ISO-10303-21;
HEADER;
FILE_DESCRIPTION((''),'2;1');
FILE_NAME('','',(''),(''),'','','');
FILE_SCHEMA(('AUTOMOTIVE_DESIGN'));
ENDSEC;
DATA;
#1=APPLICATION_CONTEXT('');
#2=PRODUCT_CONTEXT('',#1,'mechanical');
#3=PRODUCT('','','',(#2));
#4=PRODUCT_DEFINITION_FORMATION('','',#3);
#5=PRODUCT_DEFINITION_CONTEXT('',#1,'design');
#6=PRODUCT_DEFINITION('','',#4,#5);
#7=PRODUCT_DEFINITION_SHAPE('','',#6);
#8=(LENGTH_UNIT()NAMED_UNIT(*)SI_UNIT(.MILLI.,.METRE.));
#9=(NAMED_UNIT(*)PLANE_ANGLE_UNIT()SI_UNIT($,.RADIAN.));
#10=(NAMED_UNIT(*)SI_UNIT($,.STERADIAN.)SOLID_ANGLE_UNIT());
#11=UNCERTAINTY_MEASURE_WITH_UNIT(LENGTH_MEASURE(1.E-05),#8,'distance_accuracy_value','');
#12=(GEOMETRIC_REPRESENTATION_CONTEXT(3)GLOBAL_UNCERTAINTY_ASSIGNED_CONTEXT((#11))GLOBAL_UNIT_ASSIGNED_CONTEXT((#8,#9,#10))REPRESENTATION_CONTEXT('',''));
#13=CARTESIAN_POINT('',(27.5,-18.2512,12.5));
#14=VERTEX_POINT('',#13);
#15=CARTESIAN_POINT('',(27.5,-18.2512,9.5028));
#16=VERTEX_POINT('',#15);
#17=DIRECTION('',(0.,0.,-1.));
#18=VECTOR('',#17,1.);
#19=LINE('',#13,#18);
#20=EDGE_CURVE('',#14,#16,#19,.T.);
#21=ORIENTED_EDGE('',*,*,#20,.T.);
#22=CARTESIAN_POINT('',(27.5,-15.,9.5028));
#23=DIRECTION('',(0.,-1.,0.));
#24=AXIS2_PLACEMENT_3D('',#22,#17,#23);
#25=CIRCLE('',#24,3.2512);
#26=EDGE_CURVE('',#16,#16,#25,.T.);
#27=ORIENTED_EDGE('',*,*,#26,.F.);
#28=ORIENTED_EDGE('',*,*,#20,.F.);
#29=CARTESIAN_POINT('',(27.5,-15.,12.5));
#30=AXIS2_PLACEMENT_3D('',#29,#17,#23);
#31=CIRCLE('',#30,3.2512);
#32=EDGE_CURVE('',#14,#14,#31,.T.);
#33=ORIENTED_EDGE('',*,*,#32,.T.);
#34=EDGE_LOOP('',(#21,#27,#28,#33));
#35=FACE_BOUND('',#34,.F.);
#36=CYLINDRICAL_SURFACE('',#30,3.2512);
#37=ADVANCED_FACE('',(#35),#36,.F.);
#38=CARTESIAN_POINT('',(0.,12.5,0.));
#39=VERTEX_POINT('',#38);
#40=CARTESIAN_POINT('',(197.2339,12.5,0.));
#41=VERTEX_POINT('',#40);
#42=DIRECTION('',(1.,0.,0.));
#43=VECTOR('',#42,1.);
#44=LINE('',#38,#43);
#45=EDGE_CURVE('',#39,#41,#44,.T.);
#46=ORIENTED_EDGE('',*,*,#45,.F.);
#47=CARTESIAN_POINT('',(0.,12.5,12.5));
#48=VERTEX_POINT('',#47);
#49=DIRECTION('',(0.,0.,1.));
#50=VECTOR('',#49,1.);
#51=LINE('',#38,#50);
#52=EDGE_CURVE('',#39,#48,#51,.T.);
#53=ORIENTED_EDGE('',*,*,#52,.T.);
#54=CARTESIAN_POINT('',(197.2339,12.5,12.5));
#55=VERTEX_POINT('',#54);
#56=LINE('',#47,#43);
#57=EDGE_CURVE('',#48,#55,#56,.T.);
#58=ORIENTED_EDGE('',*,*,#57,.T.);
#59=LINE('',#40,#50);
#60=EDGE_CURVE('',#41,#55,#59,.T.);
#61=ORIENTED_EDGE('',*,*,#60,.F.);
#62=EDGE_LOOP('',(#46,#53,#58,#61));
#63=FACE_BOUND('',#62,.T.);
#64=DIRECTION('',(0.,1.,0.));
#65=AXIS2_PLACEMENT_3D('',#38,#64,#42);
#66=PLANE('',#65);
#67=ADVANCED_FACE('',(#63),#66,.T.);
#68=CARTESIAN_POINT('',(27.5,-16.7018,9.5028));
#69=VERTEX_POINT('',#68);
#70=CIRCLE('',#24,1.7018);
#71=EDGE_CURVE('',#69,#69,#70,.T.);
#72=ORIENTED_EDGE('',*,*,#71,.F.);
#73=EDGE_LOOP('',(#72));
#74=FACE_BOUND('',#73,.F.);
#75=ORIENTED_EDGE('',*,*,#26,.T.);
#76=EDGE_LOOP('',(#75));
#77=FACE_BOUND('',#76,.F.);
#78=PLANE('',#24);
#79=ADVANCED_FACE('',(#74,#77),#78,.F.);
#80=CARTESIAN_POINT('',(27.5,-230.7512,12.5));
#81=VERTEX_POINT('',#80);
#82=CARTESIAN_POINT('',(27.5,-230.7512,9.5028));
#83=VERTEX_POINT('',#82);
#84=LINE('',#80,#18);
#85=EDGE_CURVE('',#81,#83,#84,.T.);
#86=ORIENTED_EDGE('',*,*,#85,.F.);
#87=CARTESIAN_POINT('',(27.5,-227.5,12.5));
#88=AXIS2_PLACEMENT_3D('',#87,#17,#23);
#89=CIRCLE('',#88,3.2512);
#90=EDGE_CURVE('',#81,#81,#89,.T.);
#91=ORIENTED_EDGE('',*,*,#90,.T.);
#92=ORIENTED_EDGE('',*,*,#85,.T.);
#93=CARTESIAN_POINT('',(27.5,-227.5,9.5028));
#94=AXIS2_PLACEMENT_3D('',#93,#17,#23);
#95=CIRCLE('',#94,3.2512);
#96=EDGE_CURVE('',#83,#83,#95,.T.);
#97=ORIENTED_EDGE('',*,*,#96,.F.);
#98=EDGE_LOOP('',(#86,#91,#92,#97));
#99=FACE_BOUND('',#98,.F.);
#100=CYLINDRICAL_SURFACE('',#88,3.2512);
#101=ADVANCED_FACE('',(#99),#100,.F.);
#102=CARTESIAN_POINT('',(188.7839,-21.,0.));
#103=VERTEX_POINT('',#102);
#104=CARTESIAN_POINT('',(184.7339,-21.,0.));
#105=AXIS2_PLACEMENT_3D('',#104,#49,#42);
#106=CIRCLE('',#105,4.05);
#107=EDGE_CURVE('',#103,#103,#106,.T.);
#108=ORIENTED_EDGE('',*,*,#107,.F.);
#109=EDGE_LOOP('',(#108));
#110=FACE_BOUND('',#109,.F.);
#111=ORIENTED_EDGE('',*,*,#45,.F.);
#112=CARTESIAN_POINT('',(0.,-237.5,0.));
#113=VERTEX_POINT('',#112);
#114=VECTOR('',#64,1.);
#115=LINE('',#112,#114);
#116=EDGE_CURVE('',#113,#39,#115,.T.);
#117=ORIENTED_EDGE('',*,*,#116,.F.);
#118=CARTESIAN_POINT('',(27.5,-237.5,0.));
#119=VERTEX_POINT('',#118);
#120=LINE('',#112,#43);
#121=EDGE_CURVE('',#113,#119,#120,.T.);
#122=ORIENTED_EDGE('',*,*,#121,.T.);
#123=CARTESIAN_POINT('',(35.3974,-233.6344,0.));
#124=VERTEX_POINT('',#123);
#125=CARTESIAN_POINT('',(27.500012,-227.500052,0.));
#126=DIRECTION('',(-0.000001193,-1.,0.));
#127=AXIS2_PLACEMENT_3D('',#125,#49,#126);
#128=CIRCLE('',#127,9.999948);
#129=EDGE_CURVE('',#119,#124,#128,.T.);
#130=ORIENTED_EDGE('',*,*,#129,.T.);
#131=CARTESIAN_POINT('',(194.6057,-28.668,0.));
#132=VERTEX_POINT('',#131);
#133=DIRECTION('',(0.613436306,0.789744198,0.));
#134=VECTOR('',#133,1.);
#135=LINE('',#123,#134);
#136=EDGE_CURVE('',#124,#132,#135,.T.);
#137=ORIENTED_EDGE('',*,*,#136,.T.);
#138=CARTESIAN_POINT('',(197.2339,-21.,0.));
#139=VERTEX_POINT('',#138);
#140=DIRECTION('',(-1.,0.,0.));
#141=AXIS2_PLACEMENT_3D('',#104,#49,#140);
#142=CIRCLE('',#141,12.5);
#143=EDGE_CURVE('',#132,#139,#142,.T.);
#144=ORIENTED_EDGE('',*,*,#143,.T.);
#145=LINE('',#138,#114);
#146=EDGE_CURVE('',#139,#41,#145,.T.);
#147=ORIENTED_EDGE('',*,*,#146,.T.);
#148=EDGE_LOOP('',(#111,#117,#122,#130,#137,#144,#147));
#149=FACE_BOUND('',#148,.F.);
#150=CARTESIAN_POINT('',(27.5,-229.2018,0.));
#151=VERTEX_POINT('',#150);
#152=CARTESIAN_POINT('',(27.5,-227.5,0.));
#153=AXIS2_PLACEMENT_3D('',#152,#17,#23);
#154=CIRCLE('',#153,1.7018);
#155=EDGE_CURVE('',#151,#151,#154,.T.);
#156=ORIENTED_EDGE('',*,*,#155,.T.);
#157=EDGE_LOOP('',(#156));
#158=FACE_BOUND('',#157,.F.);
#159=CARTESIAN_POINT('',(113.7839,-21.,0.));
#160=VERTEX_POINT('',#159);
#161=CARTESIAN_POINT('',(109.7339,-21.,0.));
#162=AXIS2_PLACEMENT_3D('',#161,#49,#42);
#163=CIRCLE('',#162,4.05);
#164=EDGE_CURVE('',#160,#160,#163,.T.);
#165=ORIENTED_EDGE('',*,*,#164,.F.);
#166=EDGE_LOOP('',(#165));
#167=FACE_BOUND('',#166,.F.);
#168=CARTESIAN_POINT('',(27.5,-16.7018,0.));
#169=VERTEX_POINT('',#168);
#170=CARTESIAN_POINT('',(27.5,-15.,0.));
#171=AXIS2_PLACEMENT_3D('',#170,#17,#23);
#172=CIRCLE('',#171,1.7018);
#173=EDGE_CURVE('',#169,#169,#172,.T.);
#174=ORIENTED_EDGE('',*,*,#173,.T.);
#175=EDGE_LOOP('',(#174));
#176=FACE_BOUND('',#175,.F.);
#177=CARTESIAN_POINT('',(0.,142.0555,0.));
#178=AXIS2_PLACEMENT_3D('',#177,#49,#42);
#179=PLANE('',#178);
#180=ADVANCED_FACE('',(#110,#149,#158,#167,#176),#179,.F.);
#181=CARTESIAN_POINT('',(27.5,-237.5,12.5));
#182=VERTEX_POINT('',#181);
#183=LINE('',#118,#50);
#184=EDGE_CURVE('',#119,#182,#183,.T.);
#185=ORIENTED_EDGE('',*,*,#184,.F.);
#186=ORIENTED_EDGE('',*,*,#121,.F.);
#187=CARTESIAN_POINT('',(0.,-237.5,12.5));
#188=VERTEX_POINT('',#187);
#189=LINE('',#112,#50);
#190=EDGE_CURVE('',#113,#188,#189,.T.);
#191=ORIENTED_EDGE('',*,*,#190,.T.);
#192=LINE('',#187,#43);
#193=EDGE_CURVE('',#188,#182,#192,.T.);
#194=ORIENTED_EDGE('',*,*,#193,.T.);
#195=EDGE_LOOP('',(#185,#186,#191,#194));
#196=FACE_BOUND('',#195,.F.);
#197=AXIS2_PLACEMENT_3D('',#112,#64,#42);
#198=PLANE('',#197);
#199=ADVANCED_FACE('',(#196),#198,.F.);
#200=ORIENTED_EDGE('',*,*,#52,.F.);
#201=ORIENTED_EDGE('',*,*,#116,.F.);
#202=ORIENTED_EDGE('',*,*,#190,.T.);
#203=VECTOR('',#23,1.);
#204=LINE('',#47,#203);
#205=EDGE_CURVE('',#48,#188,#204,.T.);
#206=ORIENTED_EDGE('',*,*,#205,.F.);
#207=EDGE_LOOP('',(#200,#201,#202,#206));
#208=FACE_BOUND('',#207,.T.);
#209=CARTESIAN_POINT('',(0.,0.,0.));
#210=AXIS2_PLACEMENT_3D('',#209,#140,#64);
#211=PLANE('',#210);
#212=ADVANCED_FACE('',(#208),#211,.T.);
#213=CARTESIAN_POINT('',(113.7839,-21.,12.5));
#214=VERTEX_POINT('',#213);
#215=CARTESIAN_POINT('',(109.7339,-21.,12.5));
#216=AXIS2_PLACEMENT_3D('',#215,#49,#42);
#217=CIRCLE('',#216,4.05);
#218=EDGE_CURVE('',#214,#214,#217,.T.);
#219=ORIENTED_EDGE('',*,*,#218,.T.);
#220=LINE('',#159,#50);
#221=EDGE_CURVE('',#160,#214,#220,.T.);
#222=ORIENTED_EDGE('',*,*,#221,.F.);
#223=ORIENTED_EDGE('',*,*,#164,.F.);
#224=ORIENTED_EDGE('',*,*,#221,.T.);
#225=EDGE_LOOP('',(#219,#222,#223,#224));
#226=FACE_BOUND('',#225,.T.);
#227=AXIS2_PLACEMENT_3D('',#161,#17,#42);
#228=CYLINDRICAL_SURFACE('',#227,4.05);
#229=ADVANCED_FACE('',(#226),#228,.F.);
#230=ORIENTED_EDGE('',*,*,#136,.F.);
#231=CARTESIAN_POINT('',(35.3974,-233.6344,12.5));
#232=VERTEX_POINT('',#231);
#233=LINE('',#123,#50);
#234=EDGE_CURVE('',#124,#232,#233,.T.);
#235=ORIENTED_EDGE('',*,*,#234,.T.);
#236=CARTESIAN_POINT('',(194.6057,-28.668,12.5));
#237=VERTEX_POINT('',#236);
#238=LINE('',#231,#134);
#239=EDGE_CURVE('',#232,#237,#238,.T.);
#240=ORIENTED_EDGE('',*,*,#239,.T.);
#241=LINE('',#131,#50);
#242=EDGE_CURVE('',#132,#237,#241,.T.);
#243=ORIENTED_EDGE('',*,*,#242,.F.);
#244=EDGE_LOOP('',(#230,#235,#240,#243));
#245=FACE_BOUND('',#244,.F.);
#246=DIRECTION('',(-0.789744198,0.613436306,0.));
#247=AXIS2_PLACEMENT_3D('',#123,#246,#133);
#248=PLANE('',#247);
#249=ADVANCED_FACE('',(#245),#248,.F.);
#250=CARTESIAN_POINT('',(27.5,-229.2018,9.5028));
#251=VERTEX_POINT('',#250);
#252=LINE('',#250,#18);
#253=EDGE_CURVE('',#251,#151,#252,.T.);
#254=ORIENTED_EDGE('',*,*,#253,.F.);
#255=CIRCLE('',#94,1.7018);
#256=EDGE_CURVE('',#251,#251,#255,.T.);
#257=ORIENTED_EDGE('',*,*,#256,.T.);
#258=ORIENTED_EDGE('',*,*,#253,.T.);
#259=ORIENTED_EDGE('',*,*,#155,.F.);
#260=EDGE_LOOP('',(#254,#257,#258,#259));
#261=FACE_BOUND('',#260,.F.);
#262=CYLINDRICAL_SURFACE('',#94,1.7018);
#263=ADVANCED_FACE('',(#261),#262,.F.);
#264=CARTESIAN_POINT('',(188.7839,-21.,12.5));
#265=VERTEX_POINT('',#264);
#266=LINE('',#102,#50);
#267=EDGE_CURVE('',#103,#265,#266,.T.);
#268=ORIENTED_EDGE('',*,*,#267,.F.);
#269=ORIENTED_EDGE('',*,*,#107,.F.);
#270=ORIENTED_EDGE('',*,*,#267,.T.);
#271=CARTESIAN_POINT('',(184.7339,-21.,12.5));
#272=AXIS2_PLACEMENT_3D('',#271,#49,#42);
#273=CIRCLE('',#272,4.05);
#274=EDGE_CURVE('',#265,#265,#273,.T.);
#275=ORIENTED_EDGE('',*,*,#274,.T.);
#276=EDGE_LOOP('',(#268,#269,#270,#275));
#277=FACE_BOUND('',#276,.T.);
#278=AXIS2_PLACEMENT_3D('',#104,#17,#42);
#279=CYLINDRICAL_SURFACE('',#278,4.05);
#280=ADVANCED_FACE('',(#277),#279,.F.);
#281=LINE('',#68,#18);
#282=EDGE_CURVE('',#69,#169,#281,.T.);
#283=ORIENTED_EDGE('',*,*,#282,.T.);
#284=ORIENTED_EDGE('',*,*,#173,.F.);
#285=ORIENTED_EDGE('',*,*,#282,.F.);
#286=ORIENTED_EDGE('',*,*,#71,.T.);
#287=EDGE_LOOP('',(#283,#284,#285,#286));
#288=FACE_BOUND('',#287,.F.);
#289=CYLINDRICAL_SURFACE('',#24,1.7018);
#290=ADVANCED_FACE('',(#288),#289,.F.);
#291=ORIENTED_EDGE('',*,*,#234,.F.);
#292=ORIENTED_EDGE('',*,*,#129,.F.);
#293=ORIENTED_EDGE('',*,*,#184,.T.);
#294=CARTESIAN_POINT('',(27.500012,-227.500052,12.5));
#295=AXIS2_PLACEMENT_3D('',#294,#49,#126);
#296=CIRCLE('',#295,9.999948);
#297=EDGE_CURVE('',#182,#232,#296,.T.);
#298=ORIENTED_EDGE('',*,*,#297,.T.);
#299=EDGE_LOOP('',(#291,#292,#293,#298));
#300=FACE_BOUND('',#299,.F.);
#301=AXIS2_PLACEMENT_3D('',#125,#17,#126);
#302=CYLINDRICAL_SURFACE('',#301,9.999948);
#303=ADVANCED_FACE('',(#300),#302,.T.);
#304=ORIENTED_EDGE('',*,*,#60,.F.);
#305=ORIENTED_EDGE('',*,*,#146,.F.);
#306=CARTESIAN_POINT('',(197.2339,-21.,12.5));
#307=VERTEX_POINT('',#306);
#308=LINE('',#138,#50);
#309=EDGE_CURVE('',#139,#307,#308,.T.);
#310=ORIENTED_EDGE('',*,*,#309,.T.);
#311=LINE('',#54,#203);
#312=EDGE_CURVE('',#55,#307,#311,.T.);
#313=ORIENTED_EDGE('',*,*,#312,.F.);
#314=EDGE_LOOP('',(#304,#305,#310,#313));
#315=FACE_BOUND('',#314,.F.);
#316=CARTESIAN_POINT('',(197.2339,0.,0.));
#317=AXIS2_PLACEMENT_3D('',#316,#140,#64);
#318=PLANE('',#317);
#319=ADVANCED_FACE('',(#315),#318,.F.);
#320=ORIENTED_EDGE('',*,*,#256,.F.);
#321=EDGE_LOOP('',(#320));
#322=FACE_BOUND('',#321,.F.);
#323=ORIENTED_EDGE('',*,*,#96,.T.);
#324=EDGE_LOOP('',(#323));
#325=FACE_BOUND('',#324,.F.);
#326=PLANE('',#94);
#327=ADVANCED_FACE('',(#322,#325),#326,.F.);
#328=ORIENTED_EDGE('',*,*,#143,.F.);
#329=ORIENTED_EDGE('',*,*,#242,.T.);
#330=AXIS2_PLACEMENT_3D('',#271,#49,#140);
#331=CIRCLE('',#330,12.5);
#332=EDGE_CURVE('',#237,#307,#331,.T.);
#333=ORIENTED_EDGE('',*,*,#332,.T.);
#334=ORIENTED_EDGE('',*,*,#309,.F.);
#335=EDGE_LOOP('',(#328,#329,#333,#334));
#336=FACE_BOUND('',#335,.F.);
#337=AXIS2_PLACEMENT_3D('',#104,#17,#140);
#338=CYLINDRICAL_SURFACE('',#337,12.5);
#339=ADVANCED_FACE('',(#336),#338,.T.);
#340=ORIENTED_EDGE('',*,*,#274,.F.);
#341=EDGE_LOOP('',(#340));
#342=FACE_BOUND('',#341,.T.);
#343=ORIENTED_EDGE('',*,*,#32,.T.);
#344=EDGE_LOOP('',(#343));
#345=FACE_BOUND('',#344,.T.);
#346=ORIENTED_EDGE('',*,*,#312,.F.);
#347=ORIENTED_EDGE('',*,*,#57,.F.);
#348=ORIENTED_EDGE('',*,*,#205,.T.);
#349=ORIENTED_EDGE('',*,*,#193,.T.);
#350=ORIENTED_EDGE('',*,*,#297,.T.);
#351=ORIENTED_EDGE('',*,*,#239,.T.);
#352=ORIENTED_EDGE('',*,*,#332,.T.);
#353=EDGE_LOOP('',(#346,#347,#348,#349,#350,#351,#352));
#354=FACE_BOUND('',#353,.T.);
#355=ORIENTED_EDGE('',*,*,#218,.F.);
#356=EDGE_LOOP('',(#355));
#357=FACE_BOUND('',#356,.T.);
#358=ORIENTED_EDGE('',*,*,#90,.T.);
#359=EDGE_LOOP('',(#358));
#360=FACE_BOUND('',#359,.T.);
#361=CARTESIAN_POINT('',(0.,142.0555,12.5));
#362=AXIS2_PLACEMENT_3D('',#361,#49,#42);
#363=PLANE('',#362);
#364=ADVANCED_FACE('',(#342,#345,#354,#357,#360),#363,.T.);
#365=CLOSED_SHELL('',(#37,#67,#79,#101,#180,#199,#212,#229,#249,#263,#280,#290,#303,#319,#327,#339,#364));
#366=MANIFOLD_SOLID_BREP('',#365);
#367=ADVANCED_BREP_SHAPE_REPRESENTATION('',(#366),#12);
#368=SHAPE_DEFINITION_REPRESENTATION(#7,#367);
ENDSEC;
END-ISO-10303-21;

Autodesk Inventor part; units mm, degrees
ref_plane "YZ Plane" through (0, 0, 0) normal (1, 0, 0) x (0, 1, 0)
ref_plane "XZ Plane" through (0, 0, 0) normal (0, 1, 0) x (-1, 0, 0)
ref_plane "XY Plane" through (0, 0, 0) normal (0, 0, 1) x (1, 0, 0)
ref_plane "Work Plane1" through (0, 142.0555, 0) normal (0, 0, 1) x (1, 0, 0)
sketch "Sketch1" plane through (0, 142.0555, 0) normal (0, 0, 1) x (1, 0, 0)
  line L0 (450, -129.5555) -> (450, -142.0555) projected
  line L1 (0, -129.5555) -> (450, -129.5555) projected
  line L2 (0, -142.0555) -> (0, -129.5555) projected
  line L3 (450, -142.0555) -> (0, -142.0555) projected
  circle A0 centre (109.7339, -163.0555) radius 4.05 projected
  circle A1 centre (184.7339, -163.0555) radius 4.05 projected
  line L4 (92.2339, -147.0555) -> (92.2339, -142.0555) projected
  arc A2 (97.2339, -152.0555) -> (92.2339, -147.0555) centre (92.2339, -152.0555) ccw projected
  line L5 (97.2339, -152.0555) -> (97.2339, -163.0555) projected
  arc A3 (97.2339, -163.0555) -> (122.2339, -163.0555) centre (109.7339, -163.0555) ccw projected
  line L6 (122.2339, -163.0555) -> (122.2339, -152.0555) projected
  arc A4 (127.2339, -147.0555) -> (122.2339, -152.0555) centre (127.2339, -152.0555) ccw projected
  line L7 (127.2339, -147.0555) -> (167.2339, -147.0555) projected
  arc A5 (172.2339, -152.0555) -> (167.2339, -147.0555) centre (167.2339, -152.0555) ccw projected
  line L8 (172.2339, -152.0555) -> (172.2339, -163.0555) projected
  arc A6 (172.2339, -163.0555) -> (197.2339, -163.0555) centre (184.7339, -163.0555) ccw projected
  line L9 (197.2339, -163.0555) -> (197.2339, -152.0555) projected
  arc A7 (202.2339, -147.0555) -> (197.2339, -152.0555) centre (202.2339, -152.0555) ccw projected
  line L10 (202.2339, -142.0555) -> (202.2339, -147.0555) projected
  line L11 (92.2339, -142.0555) -> (202.2339, -142.0555) projected
  line L12 (0, -129.5555) -> (0, -379.5555)
  line L13 (0, -379.5555) -> (27.5, -379.5555)
  line L14 (35.3974, -375.6899) -> (194.6057, -170.7235)
  line L15 (197.2339, -163.0555) -> (197.2339, -129.5555)
  line L16 (0, -129.5555) -> (197.2339, -129.5555)
  arc A8 (194.6057, -170.7235) -> (197.2339, -163.0555) centre (184.7339, -163.0555) ccw
  arc A9 (27.5, -379.5555) -> (35.3974, -375.6899) centre (27.5, -369.5555) ccw
  dimension "d2" = 250
  dimension "d5" = 20
  dimension "d6" = 27.5
extrude "Extrusion1" add sketch "Sketch1" along normal blind 12.5 contours L15 L3 L2 L1 | L15 L9 A6 L8 A5 L7 A4 L6 A3 L5 A2 L4 L3 | L3 L4 A2 L5 A3 L6 A4 L7 A5 L8 A6 L14 A9 L13 L12
sketch "Sketch2" plane through (0, 142.0555, 0) normal (0, 0, -1) x (-1, 0, 0)
  circle A0 centre (-27.5, -369.5555) radius 1.55
  circle A1 centre (-27.5, -157.0555) radius 1.55
  point P0 (0, -142.0555)
extrude "Extrusion2" cut sketch "Sketch2" against normal through all
sketch "Sketch3" plane through (0, 142.0555, 12.5) normal (0, 0, 1) x (1, 0, 0)
  circle A0 centre (27.5, -157.0555) radius 1.55 projected
  arc A1 (27.5, -379.5555) -> (35.3974, -375.6899) centre (27.5, -369.5555) ccw projected
  point P0 (0, -142.0555)
hole "Hole1" at (27.5, -15, 12.5) at (27.5, -227.5, 12.5) direction (0, 0, -1) diameter 3.4036 end through all counterbore diameter 6.5024 counterbore depth 2.9972 clearance for "Socket Head Cap Screw" size "M3" standard "Ansi Metric M Profile"
properties part number "side support"
